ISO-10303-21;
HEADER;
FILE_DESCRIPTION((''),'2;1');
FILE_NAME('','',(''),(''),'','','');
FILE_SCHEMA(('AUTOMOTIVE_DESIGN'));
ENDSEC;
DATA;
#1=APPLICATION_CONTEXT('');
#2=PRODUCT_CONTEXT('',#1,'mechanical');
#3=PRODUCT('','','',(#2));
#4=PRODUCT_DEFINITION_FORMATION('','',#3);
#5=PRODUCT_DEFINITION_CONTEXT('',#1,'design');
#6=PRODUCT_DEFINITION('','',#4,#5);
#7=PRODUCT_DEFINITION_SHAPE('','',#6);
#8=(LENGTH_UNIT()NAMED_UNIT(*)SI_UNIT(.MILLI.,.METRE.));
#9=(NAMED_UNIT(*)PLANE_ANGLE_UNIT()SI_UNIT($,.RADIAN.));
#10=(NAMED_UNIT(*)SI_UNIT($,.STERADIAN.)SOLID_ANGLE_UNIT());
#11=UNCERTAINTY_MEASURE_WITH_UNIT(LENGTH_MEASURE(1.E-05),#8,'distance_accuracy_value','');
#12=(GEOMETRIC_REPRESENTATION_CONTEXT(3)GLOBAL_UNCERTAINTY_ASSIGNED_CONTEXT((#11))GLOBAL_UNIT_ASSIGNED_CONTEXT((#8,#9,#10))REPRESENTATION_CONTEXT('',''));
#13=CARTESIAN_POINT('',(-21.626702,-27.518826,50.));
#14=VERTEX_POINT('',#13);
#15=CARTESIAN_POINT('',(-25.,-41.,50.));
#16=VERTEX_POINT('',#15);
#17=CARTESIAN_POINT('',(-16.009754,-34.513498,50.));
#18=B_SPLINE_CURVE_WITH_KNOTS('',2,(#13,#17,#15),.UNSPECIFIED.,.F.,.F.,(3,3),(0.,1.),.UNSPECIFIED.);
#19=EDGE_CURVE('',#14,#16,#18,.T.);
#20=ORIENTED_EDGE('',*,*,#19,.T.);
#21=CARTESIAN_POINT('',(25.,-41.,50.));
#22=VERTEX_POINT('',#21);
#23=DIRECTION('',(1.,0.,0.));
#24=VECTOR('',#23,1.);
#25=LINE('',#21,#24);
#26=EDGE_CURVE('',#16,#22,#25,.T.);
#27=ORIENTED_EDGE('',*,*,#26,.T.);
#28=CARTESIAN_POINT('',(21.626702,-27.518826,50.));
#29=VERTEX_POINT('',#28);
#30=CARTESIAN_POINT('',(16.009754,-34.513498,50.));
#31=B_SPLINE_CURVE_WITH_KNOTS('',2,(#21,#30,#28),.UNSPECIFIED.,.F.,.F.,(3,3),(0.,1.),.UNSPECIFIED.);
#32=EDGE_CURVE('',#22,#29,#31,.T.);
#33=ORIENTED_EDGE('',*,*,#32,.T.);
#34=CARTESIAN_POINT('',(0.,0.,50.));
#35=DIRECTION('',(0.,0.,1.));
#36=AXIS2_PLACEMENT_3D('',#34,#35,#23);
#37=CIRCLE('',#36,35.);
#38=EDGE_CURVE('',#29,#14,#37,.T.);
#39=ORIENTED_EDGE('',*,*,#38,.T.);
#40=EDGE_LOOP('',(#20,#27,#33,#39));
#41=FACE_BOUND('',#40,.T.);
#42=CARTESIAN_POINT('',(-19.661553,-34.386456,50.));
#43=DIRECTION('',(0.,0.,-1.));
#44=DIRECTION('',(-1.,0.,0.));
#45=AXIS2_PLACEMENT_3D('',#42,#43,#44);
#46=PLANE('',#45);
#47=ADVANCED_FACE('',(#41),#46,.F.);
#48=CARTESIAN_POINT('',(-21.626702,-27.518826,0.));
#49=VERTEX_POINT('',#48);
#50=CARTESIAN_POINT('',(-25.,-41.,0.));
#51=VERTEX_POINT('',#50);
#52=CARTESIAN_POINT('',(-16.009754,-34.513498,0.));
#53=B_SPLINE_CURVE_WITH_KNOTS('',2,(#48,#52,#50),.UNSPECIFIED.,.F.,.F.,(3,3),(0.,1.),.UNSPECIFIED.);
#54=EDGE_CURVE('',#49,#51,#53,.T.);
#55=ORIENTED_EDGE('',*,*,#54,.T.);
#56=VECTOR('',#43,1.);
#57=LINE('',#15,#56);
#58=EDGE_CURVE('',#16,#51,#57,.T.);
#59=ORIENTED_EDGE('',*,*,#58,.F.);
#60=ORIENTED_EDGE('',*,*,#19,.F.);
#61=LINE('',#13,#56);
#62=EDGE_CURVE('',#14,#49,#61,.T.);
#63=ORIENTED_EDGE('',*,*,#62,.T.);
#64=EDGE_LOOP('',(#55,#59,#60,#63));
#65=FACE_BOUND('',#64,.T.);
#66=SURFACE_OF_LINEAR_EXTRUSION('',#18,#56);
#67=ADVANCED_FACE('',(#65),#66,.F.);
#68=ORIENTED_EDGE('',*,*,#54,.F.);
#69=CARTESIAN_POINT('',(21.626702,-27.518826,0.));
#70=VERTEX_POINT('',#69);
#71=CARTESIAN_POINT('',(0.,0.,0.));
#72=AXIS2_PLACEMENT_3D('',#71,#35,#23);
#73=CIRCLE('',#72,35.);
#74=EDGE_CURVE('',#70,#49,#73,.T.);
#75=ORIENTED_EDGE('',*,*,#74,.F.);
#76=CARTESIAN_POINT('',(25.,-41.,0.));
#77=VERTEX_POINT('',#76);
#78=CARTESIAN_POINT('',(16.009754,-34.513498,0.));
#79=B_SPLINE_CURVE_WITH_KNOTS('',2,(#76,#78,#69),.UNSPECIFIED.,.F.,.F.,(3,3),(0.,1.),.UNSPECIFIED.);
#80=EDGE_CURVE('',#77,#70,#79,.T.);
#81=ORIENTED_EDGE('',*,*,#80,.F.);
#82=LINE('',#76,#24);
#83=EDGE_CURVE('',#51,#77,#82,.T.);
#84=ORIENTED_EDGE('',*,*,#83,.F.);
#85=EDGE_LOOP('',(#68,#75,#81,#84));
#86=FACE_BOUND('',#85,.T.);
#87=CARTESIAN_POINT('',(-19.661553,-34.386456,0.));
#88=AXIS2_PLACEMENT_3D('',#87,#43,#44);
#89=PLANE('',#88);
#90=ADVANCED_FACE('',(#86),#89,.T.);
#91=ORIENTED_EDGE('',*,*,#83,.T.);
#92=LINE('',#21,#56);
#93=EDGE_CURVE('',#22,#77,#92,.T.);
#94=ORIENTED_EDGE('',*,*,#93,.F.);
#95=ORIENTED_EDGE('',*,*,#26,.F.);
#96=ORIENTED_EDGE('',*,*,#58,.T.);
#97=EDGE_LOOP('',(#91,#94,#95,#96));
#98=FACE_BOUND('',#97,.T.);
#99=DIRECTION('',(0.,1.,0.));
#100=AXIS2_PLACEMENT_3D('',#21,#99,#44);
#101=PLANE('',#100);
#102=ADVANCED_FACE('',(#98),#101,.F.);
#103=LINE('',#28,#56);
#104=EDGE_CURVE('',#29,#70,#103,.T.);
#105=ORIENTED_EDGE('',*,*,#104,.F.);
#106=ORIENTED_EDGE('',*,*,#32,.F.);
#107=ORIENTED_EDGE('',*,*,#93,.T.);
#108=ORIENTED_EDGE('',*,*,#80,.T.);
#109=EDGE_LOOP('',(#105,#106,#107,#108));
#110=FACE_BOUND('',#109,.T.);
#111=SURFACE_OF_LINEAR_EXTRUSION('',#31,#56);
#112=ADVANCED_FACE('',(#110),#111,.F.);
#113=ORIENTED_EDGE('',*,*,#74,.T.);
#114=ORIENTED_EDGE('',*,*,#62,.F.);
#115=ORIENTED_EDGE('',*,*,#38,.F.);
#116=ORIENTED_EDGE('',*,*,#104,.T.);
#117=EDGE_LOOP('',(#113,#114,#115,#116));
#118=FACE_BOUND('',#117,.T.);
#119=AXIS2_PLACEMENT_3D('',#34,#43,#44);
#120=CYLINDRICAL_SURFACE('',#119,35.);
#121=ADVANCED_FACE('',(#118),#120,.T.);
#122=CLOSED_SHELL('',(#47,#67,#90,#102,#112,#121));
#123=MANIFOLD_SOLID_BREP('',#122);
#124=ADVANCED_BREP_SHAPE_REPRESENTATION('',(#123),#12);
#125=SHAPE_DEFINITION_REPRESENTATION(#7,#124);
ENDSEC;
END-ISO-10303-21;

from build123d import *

# Parameters (mm, degrees)
DODANIE_WYCI_GNI_CIE1_DEPTH = 50


with BuildPart() as part:
    # Szkic1 → Dodanie-wyciągnięcie1 (new body)
    with BuildSketch(Plane.XY):
        with BuildLine():
            Line((25, -41), (-25, -41))
            add(Edge.make_bspline(
                [(-25, -41), (-16.009754391, -34.51349833), (-21.626701749, -27.518825765)],
                knots=[0, 0, 0, 1, 1, 1], degree=2))
            ThreePointArc((-21.626701749, -27.518825765), (0, 35), (21.626701749, -27.518825765))
            add(Edge.make_bspline(
                [(25, -41), (16.009754391, -34.51349833), (21.626701749, -27.518825765)],
                knots=[0, 0, 0, 1, 1, 1], degree=2))
        make_face()
    extrude(amount=DODANIE_WYCI_GNI_CIE1_DEPTH)


solid = part.part
